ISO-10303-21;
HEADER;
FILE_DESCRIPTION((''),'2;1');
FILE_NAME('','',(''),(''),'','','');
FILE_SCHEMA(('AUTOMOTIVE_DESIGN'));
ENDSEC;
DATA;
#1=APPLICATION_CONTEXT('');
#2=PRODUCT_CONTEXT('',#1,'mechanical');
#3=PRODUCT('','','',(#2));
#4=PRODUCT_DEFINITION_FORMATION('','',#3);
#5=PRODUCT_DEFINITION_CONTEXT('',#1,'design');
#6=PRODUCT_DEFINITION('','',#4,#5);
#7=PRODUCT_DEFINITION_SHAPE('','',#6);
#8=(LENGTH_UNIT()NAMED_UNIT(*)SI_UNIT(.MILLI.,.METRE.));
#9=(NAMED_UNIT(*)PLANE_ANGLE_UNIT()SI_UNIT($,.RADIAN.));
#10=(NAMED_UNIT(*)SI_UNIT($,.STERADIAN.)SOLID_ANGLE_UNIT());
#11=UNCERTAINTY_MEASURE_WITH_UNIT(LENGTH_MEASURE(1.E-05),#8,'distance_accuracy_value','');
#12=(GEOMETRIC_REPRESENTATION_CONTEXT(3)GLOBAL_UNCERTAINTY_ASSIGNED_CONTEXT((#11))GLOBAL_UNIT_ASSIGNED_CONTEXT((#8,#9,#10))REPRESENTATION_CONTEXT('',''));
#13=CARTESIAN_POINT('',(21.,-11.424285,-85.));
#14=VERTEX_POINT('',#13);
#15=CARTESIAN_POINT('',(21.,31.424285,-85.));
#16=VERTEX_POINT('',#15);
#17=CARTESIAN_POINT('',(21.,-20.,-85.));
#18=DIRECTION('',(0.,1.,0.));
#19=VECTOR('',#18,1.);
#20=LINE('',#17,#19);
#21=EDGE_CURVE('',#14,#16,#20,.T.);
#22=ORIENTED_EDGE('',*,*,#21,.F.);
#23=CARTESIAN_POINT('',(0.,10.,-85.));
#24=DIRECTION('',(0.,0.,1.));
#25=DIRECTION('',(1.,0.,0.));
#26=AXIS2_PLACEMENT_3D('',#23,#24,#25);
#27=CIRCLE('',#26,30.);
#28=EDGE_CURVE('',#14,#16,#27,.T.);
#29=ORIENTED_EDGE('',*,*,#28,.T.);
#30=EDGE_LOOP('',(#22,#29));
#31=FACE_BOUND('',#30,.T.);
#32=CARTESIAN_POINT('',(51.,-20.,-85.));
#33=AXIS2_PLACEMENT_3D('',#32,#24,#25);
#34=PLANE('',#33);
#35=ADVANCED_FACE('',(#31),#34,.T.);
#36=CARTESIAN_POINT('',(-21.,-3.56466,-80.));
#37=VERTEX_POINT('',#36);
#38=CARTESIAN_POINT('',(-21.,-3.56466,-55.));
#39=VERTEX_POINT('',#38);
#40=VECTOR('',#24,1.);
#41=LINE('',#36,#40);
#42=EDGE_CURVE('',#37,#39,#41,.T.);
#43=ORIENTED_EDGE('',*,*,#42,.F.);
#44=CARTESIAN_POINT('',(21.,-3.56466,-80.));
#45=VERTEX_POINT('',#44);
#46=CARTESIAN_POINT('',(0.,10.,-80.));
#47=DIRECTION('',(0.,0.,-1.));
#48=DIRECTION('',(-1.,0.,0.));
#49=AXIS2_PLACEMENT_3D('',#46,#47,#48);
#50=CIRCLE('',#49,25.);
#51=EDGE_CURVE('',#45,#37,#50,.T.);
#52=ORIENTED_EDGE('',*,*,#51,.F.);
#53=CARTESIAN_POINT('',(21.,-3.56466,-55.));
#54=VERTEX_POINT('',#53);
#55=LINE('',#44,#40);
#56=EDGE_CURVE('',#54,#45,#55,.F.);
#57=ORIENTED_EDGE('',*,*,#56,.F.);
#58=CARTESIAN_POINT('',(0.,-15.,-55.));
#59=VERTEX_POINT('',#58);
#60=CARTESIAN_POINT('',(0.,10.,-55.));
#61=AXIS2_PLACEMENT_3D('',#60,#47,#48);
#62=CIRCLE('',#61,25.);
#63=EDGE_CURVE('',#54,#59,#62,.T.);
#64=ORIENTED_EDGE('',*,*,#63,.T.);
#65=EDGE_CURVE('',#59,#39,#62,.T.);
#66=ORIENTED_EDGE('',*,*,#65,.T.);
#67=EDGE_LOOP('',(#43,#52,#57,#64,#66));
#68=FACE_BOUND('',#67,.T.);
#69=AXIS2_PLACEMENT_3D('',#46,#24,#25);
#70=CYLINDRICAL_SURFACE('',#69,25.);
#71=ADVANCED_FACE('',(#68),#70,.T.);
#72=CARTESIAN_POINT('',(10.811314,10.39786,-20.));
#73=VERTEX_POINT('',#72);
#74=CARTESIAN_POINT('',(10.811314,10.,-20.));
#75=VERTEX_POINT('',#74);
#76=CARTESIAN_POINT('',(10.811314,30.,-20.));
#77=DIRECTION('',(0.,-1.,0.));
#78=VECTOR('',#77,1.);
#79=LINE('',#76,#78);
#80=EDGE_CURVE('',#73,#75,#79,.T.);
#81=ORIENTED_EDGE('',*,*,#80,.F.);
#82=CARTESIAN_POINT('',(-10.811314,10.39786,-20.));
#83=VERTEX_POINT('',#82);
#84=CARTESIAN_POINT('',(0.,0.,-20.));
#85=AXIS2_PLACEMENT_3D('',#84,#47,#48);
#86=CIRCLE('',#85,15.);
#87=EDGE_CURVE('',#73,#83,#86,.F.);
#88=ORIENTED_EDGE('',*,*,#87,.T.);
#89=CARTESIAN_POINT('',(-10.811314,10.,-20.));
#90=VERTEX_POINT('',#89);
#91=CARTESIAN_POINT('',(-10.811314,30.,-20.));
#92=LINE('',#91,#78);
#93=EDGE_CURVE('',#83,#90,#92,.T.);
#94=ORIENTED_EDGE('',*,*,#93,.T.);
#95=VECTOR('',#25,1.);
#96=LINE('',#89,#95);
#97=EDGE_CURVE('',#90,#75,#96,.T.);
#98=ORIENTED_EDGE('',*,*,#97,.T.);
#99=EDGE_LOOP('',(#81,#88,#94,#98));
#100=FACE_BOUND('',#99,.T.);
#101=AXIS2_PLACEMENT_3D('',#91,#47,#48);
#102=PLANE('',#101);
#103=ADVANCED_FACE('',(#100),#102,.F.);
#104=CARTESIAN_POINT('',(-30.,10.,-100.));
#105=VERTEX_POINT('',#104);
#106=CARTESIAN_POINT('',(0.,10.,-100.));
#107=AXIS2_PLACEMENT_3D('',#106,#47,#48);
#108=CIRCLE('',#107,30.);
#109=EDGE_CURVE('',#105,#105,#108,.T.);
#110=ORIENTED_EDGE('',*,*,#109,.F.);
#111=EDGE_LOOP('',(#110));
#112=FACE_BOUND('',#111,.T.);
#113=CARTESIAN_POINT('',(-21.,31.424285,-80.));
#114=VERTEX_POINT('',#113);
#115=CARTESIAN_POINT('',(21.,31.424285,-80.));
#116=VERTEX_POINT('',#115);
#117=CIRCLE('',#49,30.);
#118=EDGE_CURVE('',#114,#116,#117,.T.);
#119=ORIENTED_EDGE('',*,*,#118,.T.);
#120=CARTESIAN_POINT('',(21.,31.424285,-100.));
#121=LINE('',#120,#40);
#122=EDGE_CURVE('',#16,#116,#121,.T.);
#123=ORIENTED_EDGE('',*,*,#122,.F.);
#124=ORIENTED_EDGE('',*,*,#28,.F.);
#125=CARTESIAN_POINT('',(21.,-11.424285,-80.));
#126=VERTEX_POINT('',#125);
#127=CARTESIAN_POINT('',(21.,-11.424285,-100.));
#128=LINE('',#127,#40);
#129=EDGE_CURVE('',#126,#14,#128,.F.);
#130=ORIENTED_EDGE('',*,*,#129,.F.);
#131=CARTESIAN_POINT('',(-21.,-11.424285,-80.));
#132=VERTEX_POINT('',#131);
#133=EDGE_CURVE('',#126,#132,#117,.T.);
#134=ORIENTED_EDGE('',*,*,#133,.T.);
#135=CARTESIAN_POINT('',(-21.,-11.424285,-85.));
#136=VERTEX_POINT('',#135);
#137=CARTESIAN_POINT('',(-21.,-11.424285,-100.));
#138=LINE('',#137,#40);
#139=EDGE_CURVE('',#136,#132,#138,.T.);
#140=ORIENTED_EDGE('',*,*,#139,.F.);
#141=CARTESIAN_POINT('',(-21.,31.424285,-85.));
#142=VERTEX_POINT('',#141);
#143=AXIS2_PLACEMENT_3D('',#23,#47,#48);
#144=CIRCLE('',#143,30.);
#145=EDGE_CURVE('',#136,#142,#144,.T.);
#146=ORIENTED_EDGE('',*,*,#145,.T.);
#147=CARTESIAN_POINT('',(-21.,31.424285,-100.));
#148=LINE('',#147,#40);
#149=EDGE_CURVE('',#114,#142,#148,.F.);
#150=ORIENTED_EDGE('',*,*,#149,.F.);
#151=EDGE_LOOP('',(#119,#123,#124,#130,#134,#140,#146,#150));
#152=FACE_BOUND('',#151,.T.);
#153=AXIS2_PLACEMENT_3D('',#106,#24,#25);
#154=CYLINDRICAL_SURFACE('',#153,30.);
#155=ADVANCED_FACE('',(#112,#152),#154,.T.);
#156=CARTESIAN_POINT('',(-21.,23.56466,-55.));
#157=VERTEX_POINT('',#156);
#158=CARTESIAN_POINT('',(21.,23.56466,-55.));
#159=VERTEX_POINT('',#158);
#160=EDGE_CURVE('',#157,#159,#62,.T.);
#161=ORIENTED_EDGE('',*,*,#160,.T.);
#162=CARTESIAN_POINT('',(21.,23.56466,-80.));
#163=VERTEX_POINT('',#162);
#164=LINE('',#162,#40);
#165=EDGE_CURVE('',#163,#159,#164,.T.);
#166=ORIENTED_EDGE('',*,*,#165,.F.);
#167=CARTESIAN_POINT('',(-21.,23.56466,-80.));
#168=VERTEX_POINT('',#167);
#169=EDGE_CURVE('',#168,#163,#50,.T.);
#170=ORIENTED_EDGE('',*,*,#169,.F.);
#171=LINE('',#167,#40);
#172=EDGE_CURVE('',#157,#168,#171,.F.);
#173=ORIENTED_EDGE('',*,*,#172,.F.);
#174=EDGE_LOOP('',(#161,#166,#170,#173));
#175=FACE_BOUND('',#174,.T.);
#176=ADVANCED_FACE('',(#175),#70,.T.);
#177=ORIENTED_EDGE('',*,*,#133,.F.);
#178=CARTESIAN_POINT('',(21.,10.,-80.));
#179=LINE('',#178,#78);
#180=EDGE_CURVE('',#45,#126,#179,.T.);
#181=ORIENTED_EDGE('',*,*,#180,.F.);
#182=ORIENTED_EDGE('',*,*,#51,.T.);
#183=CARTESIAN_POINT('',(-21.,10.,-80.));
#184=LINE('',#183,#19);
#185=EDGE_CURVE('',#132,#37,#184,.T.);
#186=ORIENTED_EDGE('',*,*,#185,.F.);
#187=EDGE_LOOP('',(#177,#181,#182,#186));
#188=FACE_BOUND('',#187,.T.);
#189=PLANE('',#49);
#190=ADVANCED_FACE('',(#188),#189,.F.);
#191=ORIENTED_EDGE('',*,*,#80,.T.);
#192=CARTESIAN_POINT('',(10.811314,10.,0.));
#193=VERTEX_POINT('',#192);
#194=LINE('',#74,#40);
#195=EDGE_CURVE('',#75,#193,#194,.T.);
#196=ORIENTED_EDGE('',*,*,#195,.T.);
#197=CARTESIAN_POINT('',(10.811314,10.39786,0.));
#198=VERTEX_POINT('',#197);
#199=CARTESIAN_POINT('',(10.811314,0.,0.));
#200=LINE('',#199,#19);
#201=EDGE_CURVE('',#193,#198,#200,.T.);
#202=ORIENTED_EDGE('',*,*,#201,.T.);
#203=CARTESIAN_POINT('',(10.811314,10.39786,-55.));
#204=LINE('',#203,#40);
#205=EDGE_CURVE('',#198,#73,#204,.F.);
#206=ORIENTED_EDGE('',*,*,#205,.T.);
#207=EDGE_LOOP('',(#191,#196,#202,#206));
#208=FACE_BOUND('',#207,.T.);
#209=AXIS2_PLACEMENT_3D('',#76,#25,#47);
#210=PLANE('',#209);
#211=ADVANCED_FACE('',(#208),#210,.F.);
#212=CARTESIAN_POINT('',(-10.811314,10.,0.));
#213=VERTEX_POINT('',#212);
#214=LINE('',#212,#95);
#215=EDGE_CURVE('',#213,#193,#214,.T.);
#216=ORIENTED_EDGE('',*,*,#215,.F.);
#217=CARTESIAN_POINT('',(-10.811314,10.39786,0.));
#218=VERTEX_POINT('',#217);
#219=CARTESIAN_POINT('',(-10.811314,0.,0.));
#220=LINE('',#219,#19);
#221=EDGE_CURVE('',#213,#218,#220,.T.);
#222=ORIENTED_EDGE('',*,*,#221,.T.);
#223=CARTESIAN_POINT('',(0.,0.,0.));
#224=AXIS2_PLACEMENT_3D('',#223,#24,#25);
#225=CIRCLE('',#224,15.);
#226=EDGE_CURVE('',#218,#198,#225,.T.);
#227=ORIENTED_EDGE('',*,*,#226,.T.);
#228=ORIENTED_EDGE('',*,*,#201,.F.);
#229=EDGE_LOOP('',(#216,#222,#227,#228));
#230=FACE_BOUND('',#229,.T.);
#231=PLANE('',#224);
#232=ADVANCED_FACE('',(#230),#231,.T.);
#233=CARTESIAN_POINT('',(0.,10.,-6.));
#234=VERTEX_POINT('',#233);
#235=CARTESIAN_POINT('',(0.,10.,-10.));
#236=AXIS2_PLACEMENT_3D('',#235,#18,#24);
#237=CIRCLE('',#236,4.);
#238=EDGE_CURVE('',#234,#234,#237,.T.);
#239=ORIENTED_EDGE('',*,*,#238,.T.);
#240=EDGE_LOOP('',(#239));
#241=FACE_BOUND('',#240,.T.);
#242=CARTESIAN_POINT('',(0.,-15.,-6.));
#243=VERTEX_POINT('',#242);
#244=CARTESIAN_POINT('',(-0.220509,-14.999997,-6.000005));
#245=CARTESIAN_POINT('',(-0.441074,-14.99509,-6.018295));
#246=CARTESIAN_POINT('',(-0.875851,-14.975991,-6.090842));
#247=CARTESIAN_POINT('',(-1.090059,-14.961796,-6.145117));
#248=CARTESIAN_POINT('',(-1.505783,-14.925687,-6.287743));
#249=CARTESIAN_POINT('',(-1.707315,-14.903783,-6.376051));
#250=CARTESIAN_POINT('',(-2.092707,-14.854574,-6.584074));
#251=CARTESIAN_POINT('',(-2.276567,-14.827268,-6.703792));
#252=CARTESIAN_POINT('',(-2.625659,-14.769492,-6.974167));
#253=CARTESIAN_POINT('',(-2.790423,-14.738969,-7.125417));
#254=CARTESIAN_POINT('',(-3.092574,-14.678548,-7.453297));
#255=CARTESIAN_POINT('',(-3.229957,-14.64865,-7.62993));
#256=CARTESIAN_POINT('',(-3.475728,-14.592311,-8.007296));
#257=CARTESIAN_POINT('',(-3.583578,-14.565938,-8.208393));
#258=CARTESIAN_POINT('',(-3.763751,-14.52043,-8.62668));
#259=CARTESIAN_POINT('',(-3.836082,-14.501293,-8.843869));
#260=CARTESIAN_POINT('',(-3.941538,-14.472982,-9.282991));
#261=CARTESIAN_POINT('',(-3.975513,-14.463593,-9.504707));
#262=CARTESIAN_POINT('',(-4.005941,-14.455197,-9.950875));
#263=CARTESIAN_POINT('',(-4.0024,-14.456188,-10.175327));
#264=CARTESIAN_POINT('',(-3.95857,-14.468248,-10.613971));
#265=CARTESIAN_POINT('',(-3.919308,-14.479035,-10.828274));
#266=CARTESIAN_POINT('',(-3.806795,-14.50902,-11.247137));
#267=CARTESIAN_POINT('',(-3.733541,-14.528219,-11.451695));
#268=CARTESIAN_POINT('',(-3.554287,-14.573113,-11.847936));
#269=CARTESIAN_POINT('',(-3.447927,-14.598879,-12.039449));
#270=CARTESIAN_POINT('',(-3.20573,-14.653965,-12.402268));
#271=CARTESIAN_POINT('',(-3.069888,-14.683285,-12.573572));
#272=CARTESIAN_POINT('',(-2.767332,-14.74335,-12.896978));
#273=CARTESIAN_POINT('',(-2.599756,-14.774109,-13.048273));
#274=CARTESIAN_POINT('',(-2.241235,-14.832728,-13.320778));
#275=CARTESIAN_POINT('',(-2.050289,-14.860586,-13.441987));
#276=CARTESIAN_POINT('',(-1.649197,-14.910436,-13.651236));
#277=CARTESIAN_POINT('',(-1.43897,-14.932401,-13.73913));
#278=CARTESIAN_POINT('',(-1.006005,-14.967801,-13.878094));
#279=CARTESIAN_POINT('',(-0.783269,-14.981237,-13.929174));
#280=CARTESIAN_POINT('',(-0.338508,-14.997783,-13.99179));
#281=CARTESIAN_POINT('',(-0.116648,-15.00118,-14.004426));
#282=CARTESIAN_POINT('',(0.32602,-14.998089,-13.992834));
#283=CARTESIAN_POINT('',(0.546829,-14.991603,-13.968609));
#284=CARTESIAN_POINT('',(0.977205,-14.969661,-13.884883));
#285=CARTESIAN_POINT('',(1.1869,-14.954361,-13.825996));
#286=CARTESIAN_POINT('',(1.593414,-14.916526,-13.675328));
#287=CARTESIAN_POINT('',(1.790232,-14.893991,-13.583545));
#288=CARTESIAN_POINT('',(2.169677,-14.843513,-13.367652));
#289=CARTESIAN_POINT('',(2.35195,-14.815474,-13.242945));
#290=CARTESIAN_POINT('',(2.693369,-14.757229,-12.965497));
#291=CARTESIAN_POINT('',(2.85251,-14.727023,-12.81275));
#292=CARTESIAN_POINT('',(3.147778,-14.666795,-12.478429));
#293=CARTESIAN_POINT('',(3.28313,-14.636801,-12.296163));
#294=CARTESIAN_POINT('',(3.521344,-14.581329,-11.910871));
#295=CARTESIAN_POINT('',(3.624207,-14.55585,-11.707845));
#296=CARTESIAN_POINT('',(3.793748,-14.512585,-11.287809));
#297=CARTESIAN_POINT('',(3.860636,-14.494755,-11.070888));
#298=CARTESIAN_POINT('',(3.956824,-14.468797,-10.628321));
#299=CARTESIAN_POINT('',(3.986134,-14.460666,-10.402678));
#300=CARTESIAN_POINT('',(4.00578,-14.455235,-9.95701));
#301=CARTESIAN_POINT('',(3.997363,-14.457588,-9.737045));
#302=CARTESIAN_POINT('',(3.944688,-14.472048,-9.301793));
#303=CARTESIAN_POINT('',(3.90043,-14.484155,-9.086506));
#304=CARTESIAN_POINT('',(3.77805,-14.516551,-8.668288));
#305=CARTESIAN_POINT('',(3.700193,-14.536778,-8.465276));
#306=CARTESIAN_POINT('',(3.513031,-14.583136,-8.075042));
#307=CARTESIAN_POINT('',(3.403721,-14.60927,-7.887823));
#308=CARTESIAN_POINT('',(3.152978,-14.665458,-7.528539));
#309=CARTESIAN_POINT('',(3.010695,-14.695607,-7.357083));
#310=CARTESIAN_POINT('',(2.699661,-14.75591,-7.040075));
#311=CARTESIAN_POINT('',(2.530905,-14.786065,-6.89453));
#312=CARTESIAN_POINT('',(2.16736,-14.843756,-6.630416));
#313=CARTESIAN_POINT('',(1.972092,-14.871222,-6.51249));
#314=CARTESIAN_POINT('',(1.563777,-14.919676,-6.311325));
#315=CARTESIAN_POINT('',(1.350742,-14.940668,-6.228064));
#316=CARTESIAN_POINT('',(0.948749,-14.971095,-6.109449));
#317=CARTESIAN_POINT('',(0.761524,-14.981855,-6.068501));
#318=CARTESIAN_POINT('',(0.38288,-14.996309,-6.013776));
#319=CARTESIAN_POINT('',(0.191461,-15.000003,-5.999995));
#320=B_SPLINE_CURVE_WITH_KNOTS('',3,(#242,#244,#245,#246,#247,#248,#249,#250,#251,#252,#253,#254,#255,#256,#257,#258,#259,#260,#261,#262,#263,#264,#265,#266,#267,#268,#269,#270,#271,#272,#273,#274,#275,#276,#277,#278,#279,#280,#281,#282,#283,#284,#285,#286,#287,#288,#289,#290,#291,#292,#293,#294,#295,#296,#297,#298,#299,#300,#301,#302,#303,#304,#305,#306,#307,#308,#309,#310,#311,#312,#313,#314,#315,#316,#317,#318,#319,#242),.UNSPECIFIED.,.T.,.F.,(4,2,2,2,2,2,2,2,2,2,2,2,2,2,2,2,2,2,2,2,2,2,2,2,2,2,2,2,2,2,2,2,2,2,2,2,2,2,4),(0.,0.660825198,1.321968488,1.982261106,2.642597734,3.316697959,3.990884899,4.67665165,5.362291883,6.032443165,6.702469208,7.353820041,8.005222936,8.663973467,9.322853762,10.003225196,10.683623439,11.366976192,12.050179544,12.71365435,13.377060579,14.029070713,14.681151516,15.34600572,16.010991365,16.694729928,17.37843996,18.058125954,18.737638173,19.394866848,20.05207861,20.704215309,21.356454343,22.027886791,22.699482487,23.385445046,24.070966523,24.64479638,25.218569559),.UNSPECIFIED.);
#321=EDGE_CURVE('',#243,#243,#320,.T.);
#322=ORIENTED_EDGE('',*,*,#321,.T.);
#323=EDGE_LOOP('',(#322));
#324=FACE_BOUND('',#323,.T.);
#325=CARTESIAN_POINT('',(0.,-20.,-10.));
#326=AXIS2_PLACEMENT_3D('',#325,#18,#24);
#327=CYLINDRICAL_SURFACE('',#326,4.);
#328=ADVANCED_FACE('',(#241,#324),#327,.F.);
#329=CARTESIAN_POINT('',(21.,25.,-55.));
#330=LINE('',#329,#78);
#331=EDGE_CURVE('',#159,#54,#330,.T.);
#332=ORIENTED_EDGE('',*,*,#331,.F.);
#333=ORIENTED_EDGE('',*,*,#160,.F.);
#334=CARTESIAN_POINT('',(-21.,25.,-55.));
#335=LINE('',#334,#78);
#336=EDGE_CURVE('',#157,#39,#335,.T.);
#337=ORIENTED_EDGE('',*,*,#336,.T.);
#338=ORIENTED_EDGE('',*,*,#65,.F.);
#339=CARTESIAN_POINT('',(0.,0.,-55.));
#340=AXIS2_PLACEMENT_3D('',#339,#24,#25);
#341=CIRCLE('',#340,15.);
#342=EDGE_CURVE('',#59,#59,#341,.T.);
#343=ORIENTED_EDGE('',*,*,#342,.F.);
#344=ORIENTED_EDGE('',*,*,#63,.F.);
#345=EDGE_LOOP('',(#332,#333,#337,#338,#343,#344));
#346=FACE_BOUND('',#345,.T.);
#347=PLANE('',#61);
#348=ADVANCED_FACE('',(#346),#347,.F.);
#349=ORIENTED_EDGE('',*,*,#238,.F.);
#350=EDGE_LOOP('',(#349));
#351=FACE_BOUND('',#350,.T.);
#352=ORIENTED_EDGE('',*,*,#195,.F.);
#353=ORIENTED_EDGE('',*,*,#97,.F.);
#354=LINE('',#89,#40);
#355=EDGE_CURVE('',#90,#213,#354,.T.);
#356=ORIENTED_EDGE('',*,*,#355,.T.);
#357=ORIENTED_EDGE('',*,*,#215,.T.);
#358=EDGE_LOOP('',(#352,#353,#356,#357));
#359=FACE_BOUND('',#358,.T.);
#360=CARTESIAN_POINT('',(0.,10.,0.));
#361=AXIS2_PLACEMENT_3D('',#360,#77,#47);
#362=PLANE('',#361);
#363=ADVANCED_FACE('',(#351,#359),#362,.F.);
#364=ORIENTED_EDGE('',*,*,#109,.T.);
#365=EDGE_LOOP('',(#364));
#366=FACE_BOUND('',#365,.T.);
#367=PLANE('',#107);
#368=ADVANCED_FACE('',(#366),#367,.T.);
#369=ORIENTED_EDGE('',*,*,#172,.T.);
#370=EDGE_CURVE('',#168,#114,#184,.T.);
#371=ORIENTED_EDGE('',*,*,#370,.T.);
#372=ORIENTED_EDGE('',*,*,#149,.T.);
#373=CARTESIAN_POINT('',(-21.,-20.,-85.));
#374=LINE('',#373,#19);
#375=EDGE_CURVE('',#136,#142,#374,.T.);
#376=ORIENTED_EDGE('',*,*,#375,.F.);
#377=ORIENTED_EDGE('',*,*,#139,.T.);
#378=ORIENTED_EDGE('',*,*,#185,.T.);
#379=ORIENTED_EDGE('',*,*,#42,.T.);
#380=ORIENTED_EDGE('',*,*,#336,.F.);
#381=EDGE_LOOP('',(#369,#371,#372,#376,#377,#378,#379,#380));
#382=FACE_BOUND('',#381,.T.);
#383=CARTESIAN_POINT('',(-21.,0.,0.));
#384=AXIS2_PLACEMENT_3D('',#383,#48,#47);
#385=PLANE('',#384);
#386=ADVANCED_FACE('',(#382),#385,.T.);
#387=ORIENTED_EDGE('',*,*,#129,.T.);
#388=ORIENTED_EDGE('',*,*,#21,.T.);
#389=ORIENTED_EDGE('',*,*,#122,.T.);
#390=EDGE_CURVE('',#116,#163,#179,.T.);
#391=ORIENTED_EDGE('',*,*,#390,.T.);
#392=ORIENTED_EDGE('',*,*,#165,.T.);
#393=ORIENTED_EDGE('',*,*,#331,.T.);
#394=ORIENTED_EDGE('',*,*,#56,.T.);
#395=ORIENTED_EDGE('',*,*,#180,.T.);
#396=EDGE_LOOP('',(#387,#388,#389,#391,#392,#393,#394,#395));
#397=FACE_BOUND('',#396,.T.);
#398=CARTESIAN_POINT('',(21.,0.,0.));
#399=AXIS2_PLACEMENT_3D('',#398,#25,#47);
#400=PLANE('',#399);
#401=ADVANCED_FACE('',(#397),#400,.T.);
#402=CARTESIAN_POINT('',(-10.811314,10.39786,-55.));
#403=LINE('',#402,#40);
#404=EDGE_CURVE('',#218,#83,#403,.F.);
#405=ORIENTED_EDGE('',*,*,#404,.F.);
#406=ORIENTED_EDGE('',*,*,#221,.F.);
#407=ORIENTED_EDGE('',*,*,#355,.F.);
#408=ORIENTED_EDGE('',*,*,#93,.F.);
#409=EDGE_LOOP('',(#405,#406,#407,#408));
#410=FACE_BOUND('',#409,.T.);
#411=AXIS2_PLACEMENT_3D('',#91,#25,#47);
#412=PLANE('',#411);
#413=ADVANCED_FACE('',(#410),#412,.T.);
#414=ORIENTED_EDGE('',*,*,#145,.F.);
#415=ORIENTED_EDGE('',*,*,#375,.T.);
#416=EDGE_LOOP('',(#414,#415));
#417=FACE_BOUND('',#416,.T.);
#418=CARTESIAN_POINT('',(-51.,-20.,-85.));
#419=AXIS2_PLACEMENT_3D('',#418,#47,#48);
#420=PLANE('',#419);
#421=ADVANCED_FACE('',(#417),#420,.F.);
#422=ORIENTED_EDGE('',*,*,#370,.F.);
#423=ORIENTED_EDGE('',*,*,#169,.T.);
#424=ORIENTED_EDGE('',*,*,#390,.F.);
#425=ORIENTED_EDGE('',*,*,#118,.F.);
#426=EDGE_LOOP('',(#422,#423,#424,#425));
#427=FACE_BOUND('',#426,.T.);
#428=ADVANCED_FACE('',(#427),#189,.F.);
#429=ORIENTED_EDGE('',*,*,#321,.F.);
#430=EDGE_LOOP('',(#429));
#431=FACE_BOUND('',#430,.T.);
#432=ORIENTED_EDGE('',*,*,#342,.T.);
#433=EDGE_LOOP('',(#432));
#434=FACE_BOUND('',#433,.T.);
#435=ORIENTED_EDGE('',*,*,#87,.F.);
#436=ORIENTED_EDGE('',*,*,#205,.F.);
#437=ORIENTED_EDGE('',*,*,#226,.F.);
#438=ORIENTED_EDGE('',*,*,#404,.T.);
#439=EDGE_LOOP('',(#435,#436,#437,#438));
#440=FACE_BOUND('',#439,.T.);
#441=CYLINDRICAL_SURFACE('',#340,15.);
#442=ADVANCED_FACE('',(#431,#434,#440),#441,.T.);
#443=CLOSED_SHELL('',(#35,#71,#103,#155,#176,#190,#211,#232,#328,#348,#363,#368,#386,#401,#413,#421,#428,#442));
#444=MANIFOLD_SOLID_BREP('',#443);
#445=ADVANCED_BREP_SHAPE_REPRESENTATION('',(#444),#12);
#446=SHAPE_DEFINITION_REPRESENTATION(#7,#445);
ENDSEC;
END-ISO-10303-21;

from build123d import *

# Parameters (mm, degrees)
IZIM1_R                     = 15
Y_KSEKLIK_EKSTR_ZYON1_DEPTH = 55
IZIM2_R                     = 25
Y_KSEKLIK_EKSTR_ZYON2_DEPTH = 25
IZIM3_R                     = 30
Y_KSEKLIK_EKSTR_ZYON3_DEPTH = 20
IZIM4_W                     = 21.622627276
IZIM4_H                     = 20
KES_EKSTR_ZYON1_DEPTH       = 20
IZIM6_R                     = 4
KES_EKSTR_ZYON2_DEPTH       = 30
KES_EKSTR_ZYON3_DEPTH       = 30


with BuildPart() as part:
    # Çizim1 → Yükseklik-Ekstrüzyon1 (new body)
    with BuildSketch(Plane.XY):
        Circle(IZIM1_R)
    extrude(amount=-Y_KSEKLIK_EKSTR_ZYON1_DEPTH)

    # Çizim2 → Yükseklik-Ekstrüzyon2 (add)
    with BuildSketch(Plane(origin=(0, 0, -55), x_dir=(-1, 0, 0), z_dir=(0, 0, -1))):
        with Locations(Location((0, 10, 0), (0, 0, 270))):
            Circle(IZIM2_R)
    extrude(amount=Y_KSEKLIK_EKSTR_ZYON2_DEPTH)

    # Çizim3 → Yükseklik-Ekstrüzyon3 (add)
    with BuildSketch(Plane(origin=(0, 0, -80), x_dir=(-1, 0, 0), z_dir=(0, 0, -1))):
        with Locations((0, 10)):
            Circle(IZIM3_R)
    extrude(amount=Y_KSEKLIK_EKSTR_ZYON3_DEPTH)

    # Çizim4 → Kes-Ekstrüzyon1 (cut)
    with BuildSketch(Plane(origin=(0, 10, 0), x_dir=(1, 0, 0), z_dir=(0, 1, 0))):
        with Locations((0, 10)):
            Rectangle(IZIM4_W, IZIM4_H)
    extrude(amount=KES_EKSTR_ZYON1_DEPTH, mode=Mode.SUBTRACT)

    # Çizim6 → Kes-Ekstrüzyon2 (cut)
    with BuildSketch(Plane(origin=(0, 10, 0), x_dir=(1, 0, 0), z_dir=(0, 1, 0))):
        with Locations(Location((0, 10, 0), (0, 0, 270))):
            Circle(IZIM6_R)
    extrude(amount=-KES_EKSTR_ZYON2_DEPTH, mode=Mode.SUBTRACT)

    # Çizim7 → Kes-Ekstrüzyon3 (cut)
    with BuildSketch(Plane(origin=(21, 0, 0), x_dir=(0, 0, -1), z_dir=(1, 0, 0))):
        Polygon((55, -7.517008245), (80, -7.517008245), (80, -20), (85, -20), (85, 40), (80, 40), (80, 25), (55, 25), align=None)
    kes_ekstr_zyon3 = extrude(amount=KES_EKSTR_ZYON3_DEPTH, mode=Mode.SUBTRACT)

    # Aynalama1: Kes-Ekstrüzyon3 across plane
    add(kes_ekstr_zyon3.mirror(Plane(origin=(0, 0, 0), x_dir=(0, 0, 1), z_dir=(1, 0, 0))), mode=Mode.SUBTRACT)


solid = part.part
